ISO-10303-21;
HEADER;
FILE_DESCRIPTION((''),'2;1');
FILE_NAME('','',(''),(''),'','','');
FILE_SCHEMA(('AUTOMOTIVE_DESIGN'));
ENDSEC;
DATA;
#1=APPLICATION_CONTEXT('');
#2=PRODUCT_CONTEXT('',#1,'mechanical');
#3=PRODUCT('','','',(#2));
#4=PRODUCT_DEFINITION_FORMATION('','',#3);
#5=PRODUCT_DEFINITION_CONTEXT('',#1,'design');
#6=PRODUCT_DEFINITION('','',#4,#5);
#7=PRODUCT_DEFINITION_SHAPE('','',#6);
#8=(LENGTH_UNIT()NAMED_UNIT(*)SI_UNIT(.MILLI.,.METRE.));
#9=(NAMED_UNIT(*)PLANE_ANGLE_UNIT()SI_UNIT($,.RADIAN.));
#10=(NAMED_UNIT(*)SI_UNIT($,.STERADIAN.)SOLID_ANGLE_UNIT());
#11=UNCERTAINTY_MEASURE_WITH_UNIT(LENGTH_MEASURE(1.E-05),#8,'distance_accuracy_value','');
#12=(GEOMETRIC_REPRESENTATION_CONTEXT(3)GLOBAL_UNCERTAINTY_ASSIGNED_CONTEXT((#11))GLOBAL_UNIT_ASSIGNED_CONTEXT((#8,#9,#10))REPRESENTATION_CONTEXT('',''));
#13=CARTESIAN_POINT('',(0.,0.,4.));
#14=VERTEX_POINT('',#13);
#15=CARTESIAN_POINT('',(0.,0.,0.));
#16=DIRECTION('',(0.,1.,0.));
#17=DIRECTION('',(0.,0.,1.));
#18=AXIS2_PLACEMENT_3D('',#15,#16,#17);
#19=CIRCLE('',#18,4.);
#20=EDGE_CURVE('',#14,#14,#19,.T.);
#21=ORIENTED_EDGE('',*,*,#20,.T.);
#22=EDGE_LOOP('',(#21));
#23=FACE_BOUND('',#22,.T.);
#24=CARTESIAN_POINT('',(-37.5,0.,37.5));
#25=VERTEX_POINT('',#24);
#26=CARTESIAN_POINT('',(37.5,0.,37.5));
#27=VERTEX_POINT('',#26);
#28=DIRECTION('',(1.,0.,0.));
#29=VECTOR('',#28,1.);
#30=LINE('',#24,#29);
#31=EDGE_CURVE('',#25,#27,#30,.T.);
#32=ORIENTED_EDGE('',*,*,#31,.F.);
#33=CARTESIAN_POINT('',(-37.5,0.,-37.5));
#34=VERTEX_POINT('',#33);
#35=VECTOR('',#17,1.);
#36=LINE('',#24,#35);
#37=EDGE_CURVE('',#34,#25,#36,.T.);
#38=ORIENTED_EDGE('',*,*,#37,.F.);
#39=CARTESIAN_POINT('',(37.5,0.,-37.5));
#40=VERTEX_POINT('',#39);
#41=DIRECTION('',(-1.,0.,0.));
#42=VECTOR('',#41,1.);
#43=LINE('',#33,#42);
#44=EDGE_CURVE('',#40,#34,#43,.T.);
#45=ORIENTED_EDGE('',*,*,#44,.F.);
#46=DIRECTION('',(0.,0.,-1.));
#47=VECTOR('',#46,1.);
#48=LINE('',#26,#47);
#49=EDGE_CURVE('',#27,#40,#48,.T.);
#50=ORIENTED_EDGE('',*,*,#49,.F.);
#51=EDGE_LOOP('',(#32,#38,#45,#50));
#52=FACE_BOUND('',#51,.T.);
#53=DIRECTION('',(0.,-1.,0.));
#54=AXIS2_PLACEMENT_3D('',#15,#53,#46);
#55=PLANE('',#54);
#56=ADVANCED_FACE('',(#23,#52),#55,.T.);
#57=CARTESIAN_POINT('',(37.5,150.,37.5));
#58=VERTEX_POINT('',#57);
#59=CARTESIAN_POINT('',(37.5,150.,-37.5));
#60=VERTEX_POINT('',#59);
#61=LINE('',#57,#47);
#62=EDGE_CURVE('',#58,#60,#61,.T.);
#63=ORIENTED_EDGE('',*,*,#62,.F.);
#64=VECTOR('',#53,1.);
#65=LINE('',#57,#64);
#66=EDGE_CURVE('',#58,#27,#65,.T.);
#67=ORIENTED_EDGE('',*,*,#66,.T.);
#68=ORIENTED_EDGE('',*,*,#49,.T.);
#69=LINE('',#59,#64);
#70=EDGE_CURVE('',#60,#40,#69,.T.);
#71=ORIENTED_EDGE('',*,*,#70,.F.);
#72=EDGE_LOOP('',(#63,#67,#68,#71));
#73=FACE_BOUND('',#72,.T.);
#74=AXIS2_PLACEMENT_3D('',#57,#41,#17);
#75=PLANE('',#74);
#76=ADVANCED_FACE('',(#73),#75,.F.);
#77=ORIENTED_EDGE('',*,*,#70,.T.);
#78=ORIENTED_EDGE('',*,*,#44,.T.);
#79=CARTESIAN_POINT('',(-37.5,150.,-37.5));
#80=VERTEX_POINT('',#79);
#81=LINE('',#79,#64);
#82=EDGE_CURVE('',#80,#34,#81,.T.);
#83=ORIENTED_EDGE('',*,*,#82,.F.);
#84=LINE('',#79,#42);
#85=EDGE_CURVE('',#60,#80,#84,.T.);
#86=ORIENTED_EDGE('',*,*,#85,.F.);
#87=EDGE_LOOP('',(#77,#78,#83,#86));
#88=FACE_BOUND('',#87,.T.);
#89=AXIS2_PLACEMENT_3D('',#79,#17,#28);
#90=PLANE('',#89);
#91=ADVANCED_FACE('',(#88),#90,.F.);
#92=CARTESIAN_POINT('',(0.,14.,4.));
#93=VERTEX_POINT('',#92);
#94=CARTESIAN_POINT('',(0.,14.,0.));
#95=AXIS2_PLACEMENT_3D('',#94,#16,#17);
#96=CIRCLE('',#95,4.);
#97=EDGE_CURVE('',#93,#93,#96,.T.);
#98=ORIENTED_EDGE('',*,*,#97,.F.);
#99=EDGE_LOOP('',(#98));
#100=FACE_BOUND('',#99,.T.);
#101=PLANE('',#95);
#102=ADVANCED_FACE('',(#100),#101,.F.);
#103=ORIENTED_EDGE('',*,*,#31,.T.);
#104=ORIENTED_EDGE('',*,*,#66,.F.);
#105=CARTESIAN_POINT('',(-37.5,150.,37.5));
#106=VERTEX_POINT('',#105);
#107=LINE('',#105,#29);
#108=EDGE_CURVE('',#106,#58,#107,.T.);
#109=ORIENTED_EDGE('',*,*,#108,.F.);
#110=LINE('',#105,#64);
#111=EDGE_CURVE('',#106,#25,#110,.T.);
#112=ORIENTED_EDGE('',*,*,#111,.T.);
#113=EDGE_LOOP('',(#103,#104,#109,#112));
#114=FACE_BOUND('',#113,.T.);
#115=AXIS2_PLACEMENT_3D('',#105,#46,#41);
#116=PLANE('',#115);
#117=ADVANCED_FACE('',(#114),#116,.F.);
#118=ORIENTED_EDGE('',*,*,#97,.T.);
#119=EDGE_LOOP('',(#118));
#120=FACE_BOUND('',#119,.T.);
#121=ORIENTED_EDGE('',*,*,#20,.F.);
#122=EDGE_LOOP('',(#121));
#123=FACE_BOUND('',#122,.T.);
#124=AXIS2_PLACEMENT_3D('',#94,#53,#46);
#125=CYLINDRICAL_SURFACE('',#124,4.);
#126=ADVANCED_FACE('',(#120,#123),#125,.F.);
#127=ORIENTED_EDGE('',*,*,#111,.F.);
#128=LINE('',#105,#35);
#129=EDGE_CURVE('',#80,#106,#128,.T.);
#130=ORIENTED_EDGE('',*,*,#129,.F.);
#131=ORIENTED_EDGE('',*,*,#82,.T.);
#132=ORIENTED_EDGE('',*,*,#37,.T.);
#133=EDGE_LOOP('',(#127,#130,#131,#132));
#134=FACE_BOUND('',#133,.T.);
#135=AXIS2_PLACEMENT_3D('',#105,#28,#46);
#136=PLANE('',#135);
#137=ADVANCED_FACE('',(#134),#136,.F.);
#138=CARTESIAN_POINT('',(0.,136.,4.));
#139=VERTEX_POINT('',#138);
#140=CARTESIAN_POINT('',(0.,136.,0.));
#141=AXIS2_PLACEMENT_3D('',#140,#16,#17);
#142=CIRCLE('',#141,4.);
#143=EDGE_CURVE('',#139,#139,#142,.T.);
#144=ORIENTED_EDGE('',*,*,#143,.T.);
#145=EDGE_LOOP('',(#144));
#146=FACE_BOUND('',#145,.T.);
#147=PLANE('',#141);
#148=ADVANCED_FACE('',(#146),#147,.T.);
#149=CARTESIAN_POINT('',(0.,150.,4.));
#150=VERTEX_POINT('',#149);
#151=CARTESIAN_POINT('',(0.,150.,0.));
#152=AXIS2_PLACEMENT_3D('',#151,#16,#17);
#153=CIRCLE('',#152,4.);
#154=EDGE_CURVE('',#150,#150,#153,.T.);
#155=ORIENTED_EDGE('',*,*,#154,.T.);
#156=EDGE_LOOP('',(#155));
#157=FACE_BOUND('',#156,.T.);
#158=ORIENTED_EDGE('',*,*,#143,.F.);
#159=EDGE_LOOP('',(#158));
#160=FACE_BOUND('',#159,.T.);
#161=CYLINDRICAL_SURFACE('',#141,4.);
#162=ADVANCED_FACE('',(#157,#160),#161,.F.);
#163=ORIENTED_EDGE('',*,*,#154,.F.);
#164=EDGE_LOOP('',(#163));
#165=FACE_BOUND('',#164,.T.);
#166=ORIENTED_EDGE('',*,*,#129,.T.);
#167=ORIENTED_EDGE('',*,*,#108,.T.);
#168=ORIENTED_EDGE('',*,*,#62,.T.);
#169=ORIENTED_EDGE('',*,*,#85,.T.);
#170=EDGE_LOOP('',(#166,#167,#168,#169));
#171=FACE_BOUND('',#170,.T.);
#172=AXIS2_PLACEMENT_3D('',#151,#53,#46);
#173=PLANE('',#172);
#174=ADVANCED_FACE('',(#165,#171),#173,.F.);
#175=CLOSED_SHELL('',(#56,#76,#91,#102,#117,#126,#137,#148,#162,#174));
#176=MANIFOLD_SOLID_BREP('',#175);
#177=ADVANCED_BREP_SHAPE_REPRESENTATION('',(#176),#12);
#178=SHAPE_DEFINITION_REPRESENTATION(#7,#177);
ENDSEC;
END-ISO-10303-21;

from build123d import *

# Parameters (mm, degrees)
CROQUIS_BASE_W             = 75
CROQUIS_BASE_H             = 75
COLUMNA_75X150_DEPTH       = 150
CROQUIS_AGUJEROS_MONTAJE_R = 4
AGUJERO_INSERTO_M6_DEPTH   = 14
AGUJERO_SUPERIOR_M6_START  = -14
CROQUIS_AGUJERO_SUPERIOR_R = 4
AGUJERO_SUPERIOR_M6_DEPTH  = 14


with BuildPart() as part:
    # Croquis_base → Columna_75x150 (new body)
    with BuildSketch(Plane(origin=(0, 0, 0), x_dir=(1, 0, 0), z_dir=(0, 1, 0))):
        Rectangle(CROQUIS_BASE_W, CROQUIS_BASE_H)
    extrude(amount=COLUMNA_75X150_DEPTH)

    # Croquis_agujeros_montaje → Agujero_inserto_M6 (cut)
    with BuildSketch(Plane(origin=(0, 0, 0), x_dir=(1, 0, 0), z_dir=(0, 1, 0))):
        with Locations(Location((0, 0, 0), (0, 0, 270))):
            Circle(CROQUIS_AGUJEROS_MONTAJE_R)
    extrude(amount=AGUJERO_INSERTO_M6_DEPTH, mode=Mode.SUBTRACT)

    # Croquis_agujero_superior → Agujero_superior_M6 (cut)
    with BuildSketch(Plane(origin=(0, 150, 0), x_dir=(1, 0, 0), z_dir=(0, 1, 0)).offset(AGUJERO_SUPERIOR_M6_START)):
        with Locations(Location((0, 0, 0), (0, 0, 270))):
            Circle(CROQUIS_AGUJERO_SUPERIOR_R)
    extrude(amount=AGUJERO_SUPERIOR_M6_DEPTH, mode=Mode.SUBTRACT)


solid = part.part
